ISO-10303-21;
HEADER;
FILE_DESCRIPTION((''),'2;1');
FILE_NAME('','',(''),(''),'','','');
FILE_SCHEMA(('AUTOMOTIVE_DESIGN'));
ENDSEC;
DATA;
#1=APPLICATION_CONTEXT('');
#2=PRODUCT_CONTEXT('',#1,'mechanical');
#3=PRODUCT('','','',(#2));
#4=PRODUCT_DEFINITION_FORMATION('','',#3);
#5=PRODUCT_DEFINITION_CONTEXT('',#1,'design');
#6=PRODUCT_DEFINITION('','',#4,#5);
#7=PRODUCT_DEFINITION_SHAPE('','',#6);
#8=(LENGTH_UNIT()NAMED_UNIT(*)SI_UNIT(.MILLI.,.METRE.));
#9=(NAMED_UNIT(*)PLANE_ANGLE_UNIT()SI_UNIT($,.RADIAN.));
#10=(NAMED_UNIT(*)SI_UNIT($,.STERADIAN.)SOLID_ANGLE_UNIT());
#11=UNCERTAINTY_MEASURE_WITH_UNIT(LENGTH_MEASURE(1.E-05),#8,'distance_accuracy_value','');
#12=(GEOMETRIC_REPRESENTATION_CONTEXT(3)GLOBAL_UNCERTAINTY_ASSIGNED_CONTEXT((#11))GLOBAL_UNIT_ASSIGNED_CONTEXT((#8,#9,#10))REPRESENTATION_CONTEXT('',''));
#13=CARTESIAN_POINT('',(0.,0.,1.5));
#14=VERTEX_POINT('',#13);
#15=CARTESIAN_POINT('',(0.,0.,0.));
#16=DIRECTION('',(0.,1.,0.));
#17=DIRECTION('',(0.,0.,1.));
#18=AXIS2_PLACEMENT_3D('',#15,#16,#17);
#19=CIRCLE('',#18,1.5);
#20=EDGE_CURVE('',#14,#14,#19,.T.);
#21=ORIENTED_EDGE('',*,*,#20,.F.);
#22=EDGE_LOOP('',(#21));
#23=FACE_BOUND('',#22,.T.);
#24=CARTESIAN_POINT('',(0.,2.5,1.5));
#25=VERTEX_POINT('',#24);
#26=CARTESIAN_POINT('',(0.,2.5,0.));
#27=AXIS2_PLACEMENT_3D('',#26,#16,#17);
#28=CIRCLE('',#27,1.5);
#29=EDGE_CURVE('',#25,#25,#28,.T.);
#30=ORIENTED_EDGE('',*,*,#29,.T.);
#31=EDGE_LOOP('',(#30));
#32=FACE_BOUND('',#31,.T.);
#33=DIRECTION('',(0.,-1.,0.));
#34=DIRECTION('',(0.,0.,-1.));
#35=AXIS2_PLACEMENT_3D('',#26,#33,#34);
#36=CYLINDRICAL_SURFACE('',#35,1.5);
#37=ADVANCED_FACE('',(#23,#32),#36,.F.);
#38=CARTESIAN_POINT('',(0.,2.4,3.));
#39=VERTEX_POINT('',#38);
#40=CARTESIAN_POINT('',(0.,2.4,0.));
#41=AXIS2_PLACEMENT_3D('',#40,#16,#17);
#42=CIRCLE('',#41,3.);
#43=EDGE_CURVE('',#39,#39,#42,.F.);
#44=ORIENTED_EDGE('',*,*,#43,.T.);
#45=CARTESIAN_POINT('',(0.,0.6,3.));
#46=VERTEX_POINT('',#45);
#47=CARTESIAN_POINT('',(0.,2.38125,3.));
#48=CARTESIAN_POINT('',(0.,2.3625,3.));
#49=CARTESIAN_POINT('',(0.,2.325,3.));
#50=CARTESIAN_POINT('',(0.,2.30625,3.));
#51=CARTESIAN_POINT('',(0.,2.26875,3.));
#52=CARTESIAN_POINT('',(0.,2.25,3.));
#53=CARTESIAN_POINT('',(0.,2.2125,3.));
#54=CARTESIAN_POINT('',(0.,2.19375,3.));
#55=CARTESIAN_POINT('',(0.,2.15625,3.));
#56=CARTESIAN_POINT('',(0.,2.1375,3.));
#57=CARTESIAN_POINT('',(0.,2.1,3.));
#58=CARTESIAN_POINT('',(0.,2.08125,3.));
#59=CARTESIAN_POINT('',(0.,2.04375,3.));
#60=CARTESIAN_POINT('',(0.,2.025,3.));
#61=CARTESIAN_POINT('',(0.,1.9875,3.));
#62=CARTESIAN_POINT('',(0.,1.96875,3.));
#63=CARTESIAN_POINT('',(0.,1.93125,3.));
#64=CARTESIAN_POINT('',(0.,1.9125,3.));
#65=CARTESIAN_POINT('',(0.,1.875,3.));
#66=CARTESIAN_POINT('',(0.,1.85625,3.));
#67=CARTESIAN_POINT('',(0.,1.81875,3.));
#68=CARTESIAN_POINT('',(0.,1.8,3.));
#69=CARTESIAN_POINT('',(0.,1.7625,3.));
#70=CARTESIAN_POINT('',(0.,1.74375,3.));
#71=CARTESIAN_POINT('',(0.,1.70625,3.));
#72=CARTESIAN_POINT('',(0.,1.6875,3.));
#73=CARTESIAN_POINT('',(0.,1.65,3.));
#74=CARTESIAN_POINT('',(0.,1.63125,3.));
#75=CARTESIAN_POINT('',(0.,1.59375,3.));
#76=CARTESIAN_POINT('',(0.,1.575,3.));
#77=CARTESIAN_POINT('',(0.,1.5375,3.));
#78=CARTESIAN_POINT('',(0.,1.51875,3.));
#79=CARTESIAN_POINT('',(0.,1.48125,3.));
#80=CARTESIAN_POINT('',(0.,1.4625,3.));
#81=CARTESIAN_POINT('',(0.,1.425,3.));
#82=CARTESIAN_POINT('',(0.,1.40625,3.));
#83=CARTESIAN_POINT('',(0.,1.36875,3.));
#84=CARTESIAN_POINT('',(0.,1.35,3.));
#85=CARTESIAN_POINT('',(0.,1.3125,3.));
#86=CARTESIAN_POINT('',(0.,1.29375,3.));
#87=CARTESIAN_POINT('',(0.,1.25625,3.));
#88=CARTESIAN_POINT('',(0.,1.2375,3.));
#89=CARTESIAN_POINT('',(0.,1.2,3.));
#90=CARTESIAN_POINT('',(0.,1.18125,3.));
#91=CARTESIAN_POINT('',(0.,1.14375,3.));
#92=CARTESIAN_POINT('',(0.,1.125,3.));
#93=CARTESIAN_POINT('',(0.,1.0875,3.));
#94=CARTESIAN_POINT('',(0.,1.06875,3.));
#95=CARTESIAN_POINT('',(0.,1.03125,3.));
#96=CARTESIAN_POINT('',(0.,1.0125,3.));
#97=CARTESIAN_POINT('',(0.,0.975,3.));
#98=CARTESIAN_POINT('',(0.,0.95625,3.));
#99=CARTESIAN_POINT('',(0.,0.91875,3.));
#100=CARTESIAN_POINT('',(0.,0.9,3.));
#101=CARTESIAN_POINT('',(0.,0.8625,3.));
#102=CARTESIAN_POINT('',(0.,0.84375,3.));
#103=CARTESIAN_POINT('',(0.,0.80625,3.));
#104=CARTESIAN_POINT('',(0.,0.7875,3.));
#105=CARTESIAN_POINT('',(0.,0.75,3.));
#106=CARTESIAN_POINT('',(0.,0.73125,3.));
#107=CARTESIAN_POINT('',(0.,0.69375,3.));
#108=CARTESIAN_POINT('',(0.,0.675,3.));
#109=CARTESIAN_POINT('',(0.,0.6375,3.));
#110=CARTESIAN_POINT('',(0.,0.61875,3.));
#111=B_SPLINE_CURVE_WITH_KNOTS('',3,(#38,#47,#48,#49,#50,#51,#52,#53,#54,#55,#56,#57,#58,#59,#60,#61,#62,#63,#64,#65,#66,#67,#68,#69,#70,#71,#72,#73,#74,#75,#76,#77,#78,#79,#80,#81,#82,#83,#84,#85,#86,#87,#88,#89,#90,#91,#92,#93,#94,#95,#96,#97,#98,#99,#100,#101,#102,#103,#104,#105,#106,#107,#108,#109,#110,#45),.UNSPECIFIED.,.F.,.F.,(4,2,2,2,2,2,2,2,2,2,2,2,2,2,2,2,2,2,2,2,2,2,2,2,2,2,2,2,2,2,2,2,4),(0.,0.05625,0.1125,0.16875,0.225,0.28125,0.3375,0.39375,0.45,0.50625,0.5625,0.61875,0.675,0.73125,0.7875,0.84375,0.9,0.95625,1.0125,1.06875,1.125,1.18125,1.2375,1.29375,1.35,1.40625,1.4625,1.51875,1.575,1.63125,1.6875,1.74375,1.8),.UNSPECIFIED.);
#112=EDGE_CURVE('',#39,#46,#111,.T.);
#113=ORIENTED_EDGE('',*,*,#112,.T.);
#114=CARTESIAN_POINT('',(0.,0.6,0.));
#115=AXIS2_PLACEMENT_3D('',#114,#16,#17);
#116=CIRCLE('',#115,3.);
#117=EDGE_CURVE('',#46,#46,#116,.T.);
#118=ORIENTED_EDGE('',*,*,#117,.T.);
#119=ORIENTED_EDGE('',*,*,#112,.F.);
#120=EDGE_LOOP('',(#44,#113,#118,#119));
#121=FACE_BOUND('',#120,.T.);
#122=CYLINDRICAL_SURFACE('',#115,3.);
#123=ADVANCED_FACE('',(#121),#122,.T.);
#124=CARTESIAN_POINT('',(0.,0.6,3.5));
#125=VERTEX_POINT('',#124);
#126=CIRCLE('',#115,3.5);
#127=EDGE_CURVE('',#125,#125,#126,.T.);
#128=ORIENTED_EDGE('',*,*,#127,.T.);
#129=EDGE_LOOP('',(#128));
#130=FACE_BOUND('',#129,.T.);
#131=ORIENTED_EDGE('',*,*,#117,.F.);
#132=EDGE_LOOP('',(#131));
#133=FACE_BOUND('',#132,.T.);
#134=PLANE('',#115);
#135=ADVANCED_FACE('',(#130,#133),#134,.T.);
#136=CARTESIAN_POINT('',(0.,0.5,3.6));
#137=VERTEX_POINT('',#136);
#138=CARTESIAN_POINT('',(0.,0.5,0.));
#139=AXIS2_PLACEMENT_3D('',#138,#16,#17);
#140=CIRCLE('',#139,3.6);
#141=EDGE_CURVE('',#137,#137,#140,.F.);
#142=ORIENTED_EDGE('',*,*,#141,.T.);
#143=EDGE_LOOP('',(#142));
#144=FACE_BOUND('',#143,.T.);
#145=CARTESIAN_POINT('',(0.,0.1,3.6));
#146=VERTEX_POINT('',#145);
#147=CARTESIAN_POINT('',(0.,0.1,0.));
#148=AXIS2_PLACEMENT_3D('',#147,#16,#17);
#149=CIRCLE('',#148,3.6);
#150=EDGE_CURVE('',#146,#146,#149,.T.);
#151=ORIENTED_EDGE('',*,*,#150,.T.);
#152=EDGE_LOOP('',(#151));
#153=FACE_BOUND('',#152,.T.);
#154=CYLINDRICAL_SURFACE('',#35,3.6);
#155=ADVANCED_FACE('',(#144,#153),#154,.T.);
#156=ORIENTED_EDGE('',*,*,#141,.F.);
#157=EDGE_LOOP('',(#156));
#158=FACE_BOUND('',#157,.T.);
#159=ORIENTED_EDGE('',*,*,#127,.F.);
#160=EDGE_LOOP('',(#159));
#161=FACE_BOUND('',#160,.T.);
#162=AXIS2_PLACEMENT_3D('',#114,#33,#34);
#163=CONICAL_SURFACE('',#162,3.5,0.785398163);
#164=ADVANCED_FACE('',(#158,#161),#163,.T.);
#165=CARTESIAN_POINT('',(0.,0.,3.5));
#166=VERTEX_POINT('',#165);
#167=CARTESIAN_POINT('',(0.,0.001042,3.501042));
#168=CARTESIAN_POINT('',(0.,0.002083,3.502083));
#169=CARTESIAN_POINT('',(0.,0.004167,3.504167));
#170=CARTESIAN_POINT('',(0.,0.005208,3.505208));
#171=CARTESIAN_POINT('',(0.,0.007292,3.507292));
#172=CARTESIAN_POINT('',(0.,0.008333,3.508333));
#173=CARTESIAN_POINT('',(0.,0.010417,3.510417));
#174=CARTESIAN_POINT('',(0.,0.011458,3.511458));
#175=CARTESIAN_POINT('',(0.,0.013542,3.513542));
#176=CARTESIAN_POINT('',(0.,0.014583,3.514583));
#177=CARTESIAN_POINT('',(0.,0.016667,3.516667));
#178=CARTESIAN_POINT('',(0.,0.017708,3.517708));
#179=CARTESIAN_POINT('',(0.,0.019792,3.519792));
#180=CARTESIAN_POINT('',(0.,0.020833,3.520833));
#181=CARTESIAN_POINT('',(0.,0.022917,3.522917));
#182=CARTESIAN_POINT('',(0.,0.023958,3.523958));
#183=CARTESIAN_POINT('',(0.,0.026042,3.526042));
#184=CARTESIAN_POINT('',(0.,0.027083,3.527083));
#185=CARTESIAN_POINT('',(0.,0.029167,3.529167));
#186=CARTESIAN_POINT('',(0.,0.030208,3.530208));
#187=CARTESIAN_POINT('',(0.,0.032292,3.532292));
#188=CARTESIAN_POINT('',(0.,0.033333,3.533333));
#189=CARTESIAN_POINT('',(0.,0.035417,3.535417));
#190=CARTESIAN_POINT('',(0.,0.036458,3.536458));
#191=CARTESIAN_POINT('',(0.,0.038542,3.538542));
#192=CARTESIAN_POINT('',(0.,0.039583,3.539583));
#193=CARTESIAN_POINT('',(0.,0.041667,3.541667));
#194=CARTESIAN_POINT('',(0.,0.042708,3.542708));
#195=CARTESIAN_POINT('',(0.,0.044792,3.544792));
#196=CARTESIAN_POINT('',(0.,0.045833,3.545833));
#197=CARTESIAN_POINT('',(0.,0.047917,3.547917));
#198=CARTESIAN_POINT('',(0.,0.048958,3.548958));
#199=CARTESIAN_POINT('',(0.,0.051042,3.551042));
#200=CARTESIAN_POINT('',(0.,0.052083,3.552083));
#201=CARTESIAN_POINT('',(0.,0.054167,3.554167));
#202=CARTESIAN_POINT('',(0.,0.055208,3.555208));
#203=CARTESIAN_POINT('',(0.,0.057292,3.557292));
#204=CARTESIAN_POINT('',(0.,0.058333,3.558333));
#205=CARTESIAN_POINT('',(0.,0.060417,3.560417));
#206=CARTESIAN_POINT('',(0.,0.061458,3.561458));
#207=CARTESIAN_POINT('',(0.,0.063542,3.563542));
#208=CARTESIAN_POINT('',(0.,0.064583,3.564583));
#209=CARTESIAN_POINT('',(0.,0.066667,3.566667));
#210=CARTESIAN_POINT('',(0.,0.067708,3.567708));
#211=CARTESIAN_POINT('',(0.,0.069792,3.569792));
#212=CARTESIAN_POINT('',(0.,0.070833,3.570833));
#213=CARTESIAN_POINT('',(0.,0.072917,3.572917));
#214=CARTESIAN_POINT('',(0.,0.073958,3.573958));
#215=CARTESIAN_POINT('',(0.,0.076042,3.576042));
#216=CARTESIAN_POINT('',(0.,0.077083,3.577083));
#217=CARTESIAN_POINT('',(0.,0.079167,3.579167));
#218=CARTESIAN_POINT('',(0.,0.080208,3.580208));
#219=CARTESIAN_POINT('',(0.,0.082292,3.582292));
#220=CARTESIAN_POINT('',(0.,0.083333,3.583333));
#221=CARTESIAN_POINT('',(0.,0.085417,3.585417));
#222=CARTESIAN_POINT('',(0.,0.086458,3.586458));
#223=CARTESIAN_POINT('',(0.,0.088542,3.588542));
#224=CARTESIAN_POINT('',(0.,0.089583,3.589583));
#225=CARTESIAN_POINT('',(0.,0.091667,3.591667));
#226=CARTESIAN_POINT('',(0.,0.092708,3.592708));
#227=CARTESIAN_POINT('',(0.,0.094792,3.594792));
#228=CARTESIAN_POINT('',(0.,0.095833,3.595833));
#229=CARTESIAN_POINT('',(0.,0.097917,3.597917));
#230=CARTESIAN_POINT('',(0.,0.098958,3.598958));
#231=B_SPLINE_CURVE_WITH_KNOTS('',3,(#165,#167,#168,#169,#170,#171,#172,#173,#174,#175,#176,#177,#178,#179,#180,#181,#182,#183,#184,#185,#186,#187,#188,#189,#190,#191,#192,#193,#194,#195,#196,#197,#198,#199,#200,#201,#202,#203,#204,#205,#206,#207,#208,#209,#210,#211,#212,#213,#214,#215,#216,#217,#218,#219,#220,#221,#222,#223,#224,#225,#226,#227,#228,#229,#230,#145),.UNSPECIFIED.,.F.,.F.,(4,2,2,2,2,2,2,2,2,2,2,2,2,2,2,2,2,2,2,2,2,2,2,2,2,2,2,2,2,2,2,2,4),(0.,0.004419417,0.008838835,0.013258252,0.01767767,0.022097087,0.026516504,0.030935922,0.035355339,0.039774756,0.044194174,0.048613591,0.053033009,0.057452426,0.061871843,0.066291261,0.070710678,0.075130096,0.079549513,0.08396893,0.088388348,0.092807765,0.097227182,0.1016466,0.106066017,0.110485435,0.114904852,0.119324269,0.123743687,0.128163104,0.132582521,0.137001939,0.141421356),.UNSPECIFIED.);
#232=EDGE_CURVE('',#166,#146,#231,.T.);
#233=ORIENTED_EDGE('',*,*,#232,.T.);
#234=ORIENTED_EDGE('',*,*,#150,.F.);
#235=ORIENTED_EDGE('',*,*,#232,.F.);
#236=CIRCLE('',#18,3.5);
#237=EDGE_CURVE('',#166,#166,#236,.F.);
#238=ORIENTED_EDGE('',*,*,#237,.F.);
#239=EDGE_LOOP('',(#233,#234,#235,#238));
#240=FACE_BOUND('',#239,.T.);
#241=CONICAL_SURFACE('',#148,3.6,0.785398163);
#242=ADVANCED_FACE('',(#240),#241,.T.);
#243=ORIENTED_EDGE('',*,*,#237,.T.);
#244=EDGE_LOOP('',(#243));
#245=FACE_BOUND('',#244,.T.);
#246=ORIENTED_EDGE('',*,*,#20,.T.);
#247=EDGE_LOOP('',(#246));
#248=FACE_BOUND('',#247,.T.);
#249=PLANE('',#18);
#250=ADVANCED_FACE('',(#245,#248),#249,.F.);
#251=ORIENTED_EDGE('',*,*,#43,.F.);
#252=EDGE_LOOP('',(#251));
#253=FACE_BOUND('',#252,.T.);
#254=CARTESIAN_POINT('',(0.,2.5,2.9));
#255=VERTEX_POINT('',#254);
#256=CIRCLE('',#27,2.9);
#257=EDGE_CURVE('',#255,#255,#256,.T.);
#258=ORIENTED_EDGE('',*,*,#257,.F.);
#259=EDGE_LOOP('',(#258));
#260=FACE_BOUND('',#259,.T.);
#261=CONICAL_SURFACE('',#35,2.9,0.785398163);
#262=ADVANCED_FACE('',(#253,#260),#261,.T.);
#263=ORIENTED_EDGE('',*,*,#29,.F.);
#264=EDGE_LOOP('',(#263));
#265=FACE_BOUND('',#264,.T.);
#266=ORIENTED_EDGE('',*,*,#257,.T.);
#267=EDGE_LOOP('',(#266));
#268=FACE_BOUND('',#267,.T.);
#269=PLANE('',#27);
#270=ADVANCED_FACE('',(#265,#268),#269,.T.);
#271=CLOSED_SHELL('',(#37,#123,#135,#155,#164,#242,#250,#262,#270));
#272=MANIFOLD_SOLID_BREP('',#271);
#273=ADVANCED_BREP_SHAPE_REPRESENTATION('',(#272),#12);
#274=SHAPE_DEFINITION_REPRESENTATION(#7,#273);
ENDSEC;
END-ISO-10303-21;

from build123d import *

# Parameters (mm, degrees)
SKETCH_1_R          = 3.6
SKETCH_1_R_2        = 1.5
EXTRUDE_1_DEPTH     = 2.5
CUT_EXTRUDE_START   = -1.9
SKETCH_2_R          = 3.6
SKETCH_2_R_2        = 3
CUT_EXTRUDE_1_DEPTH = 1.9
CHAMFER_1_SIZE      = 0.1


with BuildPart() as part:
    # 草图1 → 凸台-拉伸1 (new body)
    with BuildSketch(Plane(origin=(0, 0, 0), x_dir=(1, 0, 0), z_dir=(0, 1, 0))):
        with Locations(Location((0, 0, 0), (0, 0, 270))):
            Circle(SKETCH_1_R)
        with Locations(Location((0, 0, 0), (0, 0, 270))):
            Circle(SKETCH_1_R_2, mode=Mode.SUBTRACT)
    extrude(amount=EXTRUDE_1_DEPTH)

    # 草图2 → 切除-拉伸1 (cut)
    with BuildSketch(Plane(origin=(0, 2.5, 0), x_dir=(1, 0, 0), z_dir=(0, 1, 0)).offset(CUT_EXTRUDE_START)):
        with Locations(Location((0, 0, 0), (0, 0, 270))):
            Circle(SKETCH_2_R)
        with Locations(Location((0, 0, 0), (0, 0, 270))):
            Circle(SKETCH_2_R_2, mode=Mode.SUBTRACT)
    extrude(amount=CUT_EXTRUDE_1_DEPTH, mode=Mode.SUBTRACT)

    # 倒角1
    chamfer_1_edges = [part.edges().sort_by_distance(p)[0] for p in [
        (0, 0.6, -3.6),
        (0, 2.5, -3),
        (0, 0, -3.6),
    ]]
    chamfer(chamfer_1_edges, length=CHAMFER_1_SIZE)


solid = part.part
